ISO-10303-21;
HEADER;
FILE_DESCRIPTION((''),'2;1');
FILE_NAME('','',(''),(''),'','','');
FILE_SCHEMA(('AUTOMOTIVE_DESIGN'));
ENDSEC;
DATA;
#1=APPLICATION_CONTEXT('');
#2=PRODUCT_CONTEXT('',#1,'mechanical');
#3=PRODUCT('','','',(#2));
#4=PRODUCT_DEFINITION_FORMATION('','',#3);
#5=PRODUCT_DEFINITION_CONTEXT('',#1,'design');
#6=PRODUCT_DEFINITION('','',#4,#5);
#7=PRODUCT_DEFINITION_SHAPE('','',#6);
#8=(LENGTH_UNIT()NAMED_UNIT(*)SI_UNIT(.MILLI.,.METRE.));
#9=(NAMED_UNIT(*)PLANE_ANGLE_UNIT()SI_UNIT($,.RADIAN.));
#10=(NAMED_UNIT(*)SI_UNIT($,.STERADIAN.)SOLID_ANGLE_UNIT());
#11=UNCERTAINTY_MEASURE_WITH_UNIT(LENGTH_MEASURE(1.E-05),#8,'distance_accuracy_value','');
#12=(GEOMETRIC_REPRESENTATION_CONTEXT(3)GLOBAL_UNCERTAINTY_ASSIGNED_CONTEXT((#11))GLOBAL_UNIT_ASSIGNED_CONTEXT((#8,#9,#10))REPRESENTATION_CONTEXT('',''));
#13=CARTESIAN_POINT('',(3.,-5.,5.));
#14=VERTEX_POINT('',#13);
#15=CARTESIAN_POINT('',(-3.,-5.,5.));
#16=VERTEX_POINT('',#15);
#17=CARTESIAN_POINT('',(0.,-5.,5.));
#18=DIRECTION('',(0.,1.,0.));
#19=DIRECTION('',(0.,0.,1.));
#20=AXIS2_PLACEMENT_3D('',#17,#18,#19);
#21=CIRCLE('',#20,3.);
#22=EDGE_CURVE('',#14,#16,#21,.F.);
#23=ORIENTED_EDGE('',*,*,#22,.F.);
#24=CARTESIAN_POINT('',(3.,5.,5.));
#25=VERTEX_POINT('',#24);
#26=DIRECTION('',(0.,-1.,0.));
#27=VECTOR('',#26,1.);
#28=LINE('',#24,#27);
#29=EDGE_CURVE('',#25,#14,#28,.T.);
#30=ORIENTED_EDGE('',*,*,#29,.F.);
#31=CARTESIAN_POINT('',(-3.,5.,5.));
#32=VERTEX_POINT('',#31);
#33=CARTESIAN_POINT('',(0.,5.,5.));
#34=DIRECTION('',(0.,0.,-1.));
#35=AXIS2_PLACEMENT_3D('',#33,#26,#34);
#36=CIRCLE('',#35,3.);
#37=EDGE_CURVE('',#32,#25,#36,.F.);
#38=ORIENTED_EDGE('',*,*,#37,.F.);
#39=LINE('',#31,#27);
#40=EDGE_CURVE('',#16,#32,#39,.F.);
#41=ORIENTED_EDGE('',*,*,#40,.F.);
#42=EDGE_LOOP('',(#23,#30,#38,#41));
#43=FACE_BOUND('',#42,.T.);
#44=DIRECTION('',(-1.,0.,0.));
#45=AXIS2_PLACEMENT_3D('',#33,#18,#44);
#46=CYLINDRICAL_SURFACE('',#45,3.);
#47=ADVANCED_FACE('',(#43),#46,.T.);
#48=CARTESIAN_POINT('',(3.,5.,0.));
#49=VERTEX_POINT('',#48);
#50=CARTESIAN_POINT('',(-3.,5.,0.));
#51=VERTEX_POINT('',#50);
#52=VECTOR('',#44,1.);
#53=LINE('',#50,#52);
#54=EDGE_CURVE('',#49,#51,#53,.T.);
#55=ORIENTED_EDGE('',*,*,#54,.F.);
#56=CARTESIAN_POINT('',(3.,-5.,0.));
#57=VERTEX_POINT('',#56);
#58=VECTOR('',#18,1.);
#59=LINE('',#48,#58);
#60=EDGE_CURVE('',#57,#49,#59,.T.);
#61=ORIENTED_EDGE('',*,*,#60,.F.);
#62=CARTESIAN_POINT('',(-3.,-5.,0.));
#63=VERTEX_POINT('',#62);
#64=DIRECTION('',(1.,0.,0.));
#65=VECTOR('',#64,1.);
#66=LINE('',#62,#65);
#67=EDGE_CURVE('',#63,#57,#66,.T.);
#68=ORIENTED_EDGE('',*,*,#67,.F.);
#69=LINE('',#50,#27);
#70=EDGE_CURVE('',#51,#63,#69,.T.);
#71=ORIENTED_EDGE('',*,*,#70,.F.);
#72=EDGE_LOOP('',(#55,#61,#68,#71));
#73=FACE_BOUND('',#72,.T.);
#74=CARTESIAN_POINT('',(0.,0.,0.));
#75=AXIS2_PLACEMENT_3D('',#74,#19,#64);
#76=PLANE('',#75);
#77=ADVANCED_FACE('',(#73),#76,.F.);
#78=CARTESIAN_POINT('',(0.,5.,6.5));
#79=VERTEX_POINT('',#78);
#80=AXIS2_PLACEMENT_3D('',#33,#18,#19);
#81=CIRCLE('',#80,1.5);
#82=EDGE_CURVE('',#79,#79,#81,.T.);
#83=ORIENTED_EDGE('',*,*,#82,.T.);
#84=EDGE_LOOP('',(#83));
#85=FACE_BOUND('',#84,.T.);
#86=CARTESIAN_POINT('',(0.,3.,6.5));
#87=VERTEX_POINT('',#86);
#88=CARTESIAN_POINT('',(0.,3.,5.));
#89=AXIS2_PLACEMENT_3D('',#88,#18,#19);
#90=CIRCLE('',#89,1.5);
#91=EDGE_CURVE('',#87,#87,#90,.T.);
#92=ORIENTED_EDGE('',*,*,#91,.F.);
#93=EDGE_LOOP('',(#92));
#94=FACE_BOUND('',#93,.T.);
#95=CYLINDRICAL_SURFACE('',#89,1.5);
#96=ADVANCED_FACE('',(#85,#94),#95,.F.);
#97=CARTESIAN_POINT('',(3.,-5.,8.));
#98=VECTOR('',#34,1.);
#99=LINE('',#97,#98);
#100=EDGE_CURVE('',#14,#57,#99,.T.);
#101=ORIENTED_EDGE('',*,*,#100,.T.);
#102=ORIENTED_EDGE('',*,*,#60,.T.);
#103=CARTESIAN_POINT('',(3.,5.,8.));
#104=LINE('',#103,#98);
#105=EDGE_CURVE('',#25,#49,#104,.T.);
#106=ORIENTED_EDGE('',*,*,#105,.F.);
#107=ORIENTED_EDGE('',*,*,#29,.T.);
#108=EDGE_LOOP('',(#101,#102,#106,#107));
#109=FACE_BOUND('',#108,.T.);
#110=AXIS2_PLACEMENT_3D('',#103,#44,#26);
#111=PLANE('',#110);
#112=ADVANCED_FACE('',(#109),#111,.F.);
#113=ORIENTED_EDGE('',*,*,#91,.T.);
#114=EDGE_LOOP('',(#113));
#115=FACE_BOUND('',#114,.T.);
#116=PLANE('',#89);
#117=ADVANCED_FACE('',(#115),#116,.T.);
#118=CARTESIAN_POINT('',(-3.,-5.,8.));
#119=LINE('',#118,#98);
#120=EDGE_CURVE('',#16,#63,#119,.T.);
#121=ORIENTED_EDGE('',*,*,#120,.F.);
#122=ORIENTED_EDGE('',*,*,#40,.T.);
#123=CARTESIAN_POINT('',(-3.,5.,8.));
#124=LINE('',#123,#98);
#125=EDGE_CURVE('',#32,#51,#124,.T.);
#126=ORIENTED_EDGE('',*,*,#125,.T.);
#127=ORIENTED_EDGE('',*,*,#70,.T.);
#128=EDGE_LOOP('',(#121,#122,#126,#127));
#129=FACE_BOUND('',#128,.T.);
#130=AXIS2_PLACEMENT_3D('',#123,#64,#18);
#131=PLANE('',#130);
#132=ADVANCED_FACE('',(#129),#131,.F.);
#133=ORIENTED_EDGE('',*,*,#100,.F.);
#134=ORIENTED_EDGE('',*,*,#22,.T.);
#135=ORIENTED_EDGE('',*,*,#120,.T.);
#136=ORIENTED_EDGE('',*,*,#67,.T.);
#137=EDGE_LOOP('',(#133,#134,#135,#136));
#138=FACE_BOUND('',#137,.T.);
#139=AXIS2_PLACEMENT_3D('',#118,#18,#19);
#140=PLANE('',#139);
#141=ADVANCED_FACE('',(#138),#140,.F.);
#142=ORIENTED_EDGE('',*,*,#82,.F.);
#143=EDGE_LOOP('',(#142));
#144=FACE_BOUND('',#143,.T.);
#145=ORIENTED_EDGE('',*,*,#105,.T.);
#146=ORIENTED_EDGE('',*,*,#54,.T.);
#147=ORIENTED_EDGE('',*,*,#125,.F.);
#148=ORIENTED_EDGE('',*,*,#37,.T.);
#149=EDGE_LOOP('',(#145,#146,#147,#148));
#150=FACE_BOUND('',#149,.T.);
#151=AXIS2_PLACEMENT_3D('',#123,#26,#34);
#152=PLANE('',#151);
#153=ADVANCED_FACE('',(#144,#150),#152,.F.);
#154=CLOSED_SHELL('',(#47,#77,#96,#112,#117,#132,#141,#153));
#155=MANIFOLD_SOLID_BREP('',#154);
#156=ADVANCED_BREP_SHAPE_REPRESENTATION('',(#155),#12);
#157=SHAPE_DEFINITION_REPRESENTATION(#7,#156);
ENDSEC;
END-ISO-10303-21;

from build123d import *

# Parameters (mm, degrees)
SKETCH1_W           = 6
SKETCH1_H           = 10
BOSS_EXTRUDE1_DEPTH = 8
FILLET2_RADIUS      = 3
FILLET2_LENGTH      = 10
SKETCH2_R           = 1.5
CUT_EXTRUDE1_DEPTH  = 2


with BuildPart() as part:
    # Sketch1 → Boss-Extrude1 (new body)
    with BuildSketch(Plane.XY):
        Rectangle(SKETCH1_W, SKETCH1_H)
    extrude(amount=BOSS_EXTRUDE1_DEPTH)

    # Fillet2: full round fillet: the end face becomes a half cylinder, R = half its width
    fillet2_face = Plane((0, 0, 8), x_dir=(0, -1, 0), z_dir=(0, 0, 1))  # on the end face: x along it, z out of the body
    fillet2_slab = fillet2_face.offset(-FILLET2_RADIUS / 2) * Box(FILLET2_LENGTH, 2 * FILLET2_RADIUS, FILLET2_RADIUS, mode=Mode.PRIVATE)  # the body's end, R deep
    fillet2_round = Plane((0, 0, 5), x_dir=(0, 0, 1), z_dir=(0, -1, 0)) * Cylinder(FILLET2_RADIUS, FILLET2_LENGTH, mode=Mode.PRIVATE)  # its axis R under the face
    add(fillet2_slab - fillet2_round, mode=Mode.SUBTRACT)

    # Sketch2 → Cut-Extrude1 (cut)
    with BuildSketch(Plane(origin=(0, 5, 0), x_dir=(1, 0, 0), z_dir=(0, 1, 0))):
        with Locations(Location((0, -5, 0), (0, 0, 270))):
            Circle(SKETCH2_R)
    extrude(amount=-CUT_EXTRUDE1_DEPTH, mode=Mode.SUBTRACT)


solid = part.part
